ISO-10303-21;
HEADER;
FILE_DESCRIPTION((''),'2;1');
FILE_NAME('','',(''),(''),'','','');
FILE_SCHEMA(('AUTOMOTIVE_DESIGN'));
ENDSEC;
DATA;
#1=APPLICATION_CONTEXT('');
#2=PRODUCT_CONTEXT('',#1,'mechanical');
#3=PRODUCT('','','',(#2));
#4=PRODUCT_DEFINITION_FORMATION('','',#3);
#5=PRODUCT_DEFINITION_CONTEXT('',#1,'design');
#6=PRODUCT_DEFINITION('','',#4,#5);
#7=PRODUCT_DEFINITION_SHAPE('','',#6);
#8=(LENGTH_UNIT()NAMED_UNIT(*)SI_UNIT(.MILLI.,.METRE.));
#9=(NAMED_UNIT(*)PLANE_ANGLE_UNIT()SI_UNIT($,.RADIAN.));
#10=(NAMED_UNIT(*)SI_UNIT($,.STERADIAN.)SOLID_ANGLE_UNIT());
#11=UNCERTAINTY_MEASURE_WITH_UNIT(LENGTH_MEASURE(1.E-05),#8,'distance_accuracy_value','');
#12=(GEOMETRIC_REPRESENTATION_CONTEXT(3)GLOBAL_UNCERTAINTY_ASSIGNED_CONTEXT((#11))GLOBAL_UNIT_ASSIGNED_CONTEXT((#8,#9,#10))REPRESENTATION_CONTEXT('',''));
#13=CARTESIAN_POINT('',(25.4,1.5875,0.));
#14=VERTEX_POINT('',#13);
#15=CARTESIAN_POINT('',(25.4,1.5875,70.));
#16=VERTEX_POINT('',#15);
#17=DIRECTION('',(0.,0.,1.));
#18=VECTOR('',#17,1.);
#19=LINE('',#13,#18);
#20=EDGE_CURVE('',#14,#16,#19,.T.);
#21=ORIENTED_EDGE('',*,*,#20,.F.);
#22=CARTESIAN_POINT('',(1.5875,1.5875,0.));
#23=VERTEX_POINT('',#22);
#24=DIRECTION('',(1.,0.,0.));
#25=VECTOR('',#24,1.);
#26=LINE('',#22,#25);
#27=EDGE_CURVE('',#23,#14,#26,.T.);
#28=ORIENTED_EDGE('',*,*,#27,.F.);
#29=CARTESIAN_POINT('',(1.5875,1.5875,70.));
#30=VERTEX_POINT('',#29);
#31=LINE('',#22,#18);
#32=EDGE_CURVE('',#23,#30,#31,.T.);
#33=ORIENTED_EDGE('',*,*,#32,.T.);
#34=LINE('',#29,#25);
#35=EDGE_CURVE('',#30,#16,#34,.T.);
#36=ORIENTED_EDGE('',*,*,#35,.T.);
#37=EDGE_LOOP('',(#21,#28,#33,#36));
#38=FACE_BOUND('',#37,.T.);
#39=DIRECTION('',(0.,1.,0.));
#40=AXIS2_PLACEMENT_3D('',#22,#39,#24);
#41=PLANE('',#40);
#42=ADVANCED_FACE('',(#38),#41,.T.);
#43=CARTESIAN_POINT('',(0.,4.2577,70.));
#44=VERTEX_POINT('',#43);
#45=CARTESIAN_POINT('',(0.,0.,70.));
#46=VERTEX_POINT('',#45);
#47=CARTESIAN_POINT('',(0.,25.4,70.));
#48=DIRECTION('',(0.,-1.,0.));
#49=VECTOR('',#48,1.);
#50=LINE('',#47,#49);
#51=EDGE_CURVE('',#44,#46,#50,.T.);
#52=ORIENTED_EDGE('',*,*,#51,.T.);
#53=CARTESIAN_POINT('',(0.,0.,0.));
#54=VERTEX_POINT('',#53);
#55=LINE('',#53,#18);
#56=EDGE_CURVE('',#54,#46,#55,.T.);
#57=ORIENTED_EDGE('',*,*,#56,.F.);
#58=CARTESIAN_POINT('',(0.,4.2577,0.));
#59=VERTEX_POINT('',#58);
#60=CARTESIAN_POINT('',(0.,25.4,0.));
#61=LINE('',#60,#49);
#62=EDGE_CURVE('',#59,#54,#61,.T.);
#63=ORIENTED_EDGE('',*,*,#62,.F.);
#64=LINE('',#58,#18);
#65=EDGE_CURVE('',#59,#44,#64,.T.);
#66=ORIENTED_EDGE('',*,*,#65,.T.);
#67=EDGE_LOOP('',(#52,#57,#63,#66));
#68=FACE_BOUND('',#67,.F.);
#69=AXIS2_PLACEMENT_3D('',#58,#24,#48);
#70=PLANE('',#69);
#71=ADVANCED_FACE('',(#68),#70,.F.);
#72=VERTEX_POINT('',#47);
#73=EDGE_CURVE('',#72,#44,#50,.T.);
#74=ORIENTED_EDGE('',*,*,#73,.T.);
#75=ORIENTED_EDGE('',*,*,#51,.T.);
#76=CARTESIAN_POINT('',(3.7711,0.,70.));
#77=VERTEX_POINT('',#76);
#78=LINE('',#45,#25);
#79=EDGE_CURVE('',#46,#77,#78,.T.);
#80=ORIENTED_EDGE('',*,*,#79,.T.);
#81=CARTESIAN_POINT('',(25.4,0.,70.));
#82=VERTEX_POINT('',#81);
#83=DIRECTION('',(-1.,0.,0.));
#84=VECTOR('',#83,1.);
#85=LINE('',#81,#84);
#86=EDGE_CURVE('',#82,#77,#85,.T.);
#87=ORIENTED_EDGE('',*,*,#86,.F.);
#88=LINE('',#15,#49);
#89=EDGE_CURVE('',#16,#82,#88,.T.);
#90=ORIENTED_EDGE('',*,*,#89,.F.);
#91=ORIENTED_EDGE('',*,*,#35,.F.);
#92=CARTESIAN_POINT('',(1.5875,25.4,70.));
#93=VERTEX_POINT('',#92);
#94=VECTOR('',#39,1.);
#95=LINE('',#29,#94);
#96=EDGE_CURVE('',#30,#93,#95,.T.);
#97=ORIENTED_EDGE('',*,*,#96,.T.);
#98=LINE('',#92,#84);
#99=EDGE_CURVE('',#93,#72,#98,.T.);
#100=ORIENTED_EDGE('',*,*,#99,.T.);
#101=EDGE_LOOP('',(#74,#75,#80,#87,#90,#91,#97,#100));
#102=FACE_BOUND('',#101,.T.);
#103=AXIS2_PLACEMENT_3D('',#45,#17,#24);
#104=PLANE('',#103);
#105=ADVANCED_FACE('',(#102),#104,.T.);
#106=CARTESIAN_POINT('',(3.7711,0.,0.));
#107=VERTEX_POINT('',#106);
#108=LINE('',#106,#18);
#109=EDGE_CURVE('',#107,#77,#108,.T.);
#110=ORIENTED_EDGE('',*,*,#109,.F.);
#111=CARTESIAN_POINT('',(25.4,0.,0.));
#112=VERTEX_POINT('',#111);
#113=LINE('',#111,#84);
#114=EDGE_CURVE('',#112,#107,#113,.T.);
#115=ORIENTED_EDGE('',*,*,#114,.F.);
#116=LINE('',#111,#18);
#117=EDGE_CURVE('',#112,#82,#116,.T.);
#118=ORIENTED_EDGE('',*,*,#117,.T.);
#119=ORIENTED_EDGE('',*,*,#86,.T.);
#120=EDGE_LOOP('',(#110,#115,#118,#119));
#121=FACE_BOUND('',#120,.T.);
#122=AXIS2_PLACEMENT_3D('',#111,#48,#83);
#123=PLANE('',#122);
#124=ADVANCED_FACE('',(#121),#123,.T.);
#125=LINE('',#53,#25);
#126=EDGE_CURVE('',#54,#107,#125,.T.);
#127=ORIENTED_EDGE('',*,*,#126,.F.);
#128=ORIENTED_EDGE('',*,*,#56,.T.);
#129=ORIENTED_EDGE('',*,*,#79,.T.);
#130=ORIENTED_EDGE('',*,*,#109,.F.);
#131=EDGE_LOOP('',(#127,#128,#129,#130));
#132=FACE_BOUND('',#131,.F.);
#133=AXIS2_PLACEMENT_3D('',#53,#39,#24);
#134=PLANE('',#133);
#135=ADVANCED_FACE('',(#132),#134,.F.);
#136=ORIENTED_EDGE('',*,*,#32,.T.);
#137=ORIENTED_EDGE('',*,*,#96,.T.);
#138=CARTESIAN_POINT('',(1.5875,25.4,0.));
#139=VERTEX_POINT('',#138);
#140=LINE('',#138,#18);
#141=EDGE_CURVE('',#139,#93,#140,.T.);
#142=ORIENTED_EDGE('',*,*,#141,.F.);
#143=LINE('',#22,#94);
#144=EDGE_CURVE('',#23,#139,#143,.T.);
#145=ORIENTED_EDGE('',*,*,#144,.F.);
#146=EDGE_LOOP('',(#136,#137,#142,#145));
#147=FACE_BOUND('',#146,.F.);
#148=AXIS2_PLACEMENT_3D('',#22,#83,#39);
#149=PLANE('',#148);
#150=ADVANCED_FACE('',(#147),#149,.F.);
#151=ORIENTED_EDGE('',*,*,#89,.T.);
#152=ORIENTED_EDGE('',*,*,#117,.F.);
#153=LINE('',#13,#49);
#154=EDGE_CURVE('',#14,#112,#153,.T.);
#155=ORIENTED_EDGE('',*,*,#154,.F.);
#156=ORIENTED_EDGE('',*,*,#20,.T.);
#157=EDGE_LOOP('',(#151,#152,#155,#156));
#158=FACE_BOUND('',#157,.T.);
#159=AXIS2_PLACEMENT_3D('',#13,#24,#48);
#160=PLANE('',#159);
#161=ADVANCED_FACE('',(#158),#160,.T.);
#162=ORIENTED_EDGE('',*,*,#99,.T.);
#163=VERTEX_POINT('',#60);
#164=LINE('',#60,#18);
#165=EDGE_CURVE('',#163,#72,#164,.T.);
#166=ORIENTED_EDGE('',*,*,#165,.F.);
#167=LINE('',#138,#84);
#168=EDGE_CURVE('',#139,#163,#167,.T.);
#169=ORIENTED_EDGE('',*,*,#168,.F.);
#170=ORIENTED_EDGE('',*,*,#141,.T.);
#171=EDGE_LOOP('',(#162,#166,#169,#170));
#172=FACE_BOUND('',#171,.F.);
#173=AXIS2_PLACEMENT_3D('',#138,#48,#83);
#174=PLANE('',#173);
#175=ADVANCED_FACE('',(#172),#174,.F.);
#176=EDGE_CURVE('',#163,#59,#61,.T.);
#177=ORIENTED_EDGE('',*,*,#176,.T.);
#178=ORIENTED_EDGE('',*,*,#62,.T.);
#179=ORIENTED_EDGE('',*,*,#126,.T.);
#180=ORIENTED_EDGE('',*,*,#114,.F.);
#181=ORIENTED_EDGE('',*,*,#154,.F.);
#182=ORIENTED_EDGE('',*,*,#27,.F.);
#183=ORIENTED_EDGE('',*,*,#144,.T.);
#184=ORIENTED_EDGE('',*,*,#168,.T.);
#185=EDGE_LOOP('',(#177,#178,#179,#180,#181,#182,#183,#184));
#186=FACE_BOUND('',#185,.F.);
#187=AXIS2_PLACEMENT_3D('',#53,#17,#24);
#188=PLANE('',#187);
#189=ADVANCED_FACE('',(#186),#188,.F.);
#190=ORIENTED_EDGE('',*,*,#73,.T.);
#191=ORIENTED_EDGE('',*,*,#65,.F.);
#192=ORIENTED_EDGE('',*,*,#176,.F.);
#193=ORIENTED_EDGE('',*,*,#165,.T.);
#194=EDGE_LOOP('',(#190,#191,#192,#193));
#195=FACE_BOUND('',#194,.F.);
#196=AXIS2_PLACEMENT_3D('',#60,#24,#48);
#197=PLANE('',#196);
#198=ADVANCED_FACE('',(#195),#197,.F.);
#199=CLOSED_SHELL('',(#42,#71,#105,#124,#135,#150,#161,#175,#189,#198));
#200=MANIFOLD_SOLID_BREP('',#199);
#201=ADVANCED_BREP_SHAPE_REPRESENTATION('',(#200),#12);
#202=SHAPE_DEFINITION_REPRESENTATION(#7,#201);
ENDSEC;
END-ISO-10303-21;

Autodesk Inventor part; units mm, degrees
ref_plane "YZ Plane" through (0, 0, 0) normal (1, 0, 0) x (0, 1, 0)
ref_plane "XZ Plane" through (0, 0, 0) normal (0, 1, 0) x (-1, 0, 0)
ref_plane "XY Plane" through (0, 0, 0) normal (0, 0, 1) x (1, 0, 0)
sketch "Sketch1" plane through (0, 0, 0) normal (0, 0, 1) x (1, 0, 0)
  line L0 (0, 0) -> (3.7711, 0)
  line L1 (1.5875, 1.5875) -> (1.5875, 25.4)
  line L2 (1.5875, 25.4) -> (0, 25.4)
  line L3 (0, 25.4) -> (0, 0)
  line L4 (1.5875, 1.5875) -> (25.4, 1.5875)
  line L5 (25.4, 1.5875) -> (25.4, 0)
  line L6 (25.4, 0) -> (0, 0)
  line L7 (0, 0) -> (0, 4.2577)
  dimension "d0" = 25.4
  dimension "d1" = 25.4
  dimension "d2" = 1.5875
  dimension "d3" = 1.5875
extrude "Extrusion1" add sketch "Sketch1" along normal blind 70
properties part number "motor_support"
